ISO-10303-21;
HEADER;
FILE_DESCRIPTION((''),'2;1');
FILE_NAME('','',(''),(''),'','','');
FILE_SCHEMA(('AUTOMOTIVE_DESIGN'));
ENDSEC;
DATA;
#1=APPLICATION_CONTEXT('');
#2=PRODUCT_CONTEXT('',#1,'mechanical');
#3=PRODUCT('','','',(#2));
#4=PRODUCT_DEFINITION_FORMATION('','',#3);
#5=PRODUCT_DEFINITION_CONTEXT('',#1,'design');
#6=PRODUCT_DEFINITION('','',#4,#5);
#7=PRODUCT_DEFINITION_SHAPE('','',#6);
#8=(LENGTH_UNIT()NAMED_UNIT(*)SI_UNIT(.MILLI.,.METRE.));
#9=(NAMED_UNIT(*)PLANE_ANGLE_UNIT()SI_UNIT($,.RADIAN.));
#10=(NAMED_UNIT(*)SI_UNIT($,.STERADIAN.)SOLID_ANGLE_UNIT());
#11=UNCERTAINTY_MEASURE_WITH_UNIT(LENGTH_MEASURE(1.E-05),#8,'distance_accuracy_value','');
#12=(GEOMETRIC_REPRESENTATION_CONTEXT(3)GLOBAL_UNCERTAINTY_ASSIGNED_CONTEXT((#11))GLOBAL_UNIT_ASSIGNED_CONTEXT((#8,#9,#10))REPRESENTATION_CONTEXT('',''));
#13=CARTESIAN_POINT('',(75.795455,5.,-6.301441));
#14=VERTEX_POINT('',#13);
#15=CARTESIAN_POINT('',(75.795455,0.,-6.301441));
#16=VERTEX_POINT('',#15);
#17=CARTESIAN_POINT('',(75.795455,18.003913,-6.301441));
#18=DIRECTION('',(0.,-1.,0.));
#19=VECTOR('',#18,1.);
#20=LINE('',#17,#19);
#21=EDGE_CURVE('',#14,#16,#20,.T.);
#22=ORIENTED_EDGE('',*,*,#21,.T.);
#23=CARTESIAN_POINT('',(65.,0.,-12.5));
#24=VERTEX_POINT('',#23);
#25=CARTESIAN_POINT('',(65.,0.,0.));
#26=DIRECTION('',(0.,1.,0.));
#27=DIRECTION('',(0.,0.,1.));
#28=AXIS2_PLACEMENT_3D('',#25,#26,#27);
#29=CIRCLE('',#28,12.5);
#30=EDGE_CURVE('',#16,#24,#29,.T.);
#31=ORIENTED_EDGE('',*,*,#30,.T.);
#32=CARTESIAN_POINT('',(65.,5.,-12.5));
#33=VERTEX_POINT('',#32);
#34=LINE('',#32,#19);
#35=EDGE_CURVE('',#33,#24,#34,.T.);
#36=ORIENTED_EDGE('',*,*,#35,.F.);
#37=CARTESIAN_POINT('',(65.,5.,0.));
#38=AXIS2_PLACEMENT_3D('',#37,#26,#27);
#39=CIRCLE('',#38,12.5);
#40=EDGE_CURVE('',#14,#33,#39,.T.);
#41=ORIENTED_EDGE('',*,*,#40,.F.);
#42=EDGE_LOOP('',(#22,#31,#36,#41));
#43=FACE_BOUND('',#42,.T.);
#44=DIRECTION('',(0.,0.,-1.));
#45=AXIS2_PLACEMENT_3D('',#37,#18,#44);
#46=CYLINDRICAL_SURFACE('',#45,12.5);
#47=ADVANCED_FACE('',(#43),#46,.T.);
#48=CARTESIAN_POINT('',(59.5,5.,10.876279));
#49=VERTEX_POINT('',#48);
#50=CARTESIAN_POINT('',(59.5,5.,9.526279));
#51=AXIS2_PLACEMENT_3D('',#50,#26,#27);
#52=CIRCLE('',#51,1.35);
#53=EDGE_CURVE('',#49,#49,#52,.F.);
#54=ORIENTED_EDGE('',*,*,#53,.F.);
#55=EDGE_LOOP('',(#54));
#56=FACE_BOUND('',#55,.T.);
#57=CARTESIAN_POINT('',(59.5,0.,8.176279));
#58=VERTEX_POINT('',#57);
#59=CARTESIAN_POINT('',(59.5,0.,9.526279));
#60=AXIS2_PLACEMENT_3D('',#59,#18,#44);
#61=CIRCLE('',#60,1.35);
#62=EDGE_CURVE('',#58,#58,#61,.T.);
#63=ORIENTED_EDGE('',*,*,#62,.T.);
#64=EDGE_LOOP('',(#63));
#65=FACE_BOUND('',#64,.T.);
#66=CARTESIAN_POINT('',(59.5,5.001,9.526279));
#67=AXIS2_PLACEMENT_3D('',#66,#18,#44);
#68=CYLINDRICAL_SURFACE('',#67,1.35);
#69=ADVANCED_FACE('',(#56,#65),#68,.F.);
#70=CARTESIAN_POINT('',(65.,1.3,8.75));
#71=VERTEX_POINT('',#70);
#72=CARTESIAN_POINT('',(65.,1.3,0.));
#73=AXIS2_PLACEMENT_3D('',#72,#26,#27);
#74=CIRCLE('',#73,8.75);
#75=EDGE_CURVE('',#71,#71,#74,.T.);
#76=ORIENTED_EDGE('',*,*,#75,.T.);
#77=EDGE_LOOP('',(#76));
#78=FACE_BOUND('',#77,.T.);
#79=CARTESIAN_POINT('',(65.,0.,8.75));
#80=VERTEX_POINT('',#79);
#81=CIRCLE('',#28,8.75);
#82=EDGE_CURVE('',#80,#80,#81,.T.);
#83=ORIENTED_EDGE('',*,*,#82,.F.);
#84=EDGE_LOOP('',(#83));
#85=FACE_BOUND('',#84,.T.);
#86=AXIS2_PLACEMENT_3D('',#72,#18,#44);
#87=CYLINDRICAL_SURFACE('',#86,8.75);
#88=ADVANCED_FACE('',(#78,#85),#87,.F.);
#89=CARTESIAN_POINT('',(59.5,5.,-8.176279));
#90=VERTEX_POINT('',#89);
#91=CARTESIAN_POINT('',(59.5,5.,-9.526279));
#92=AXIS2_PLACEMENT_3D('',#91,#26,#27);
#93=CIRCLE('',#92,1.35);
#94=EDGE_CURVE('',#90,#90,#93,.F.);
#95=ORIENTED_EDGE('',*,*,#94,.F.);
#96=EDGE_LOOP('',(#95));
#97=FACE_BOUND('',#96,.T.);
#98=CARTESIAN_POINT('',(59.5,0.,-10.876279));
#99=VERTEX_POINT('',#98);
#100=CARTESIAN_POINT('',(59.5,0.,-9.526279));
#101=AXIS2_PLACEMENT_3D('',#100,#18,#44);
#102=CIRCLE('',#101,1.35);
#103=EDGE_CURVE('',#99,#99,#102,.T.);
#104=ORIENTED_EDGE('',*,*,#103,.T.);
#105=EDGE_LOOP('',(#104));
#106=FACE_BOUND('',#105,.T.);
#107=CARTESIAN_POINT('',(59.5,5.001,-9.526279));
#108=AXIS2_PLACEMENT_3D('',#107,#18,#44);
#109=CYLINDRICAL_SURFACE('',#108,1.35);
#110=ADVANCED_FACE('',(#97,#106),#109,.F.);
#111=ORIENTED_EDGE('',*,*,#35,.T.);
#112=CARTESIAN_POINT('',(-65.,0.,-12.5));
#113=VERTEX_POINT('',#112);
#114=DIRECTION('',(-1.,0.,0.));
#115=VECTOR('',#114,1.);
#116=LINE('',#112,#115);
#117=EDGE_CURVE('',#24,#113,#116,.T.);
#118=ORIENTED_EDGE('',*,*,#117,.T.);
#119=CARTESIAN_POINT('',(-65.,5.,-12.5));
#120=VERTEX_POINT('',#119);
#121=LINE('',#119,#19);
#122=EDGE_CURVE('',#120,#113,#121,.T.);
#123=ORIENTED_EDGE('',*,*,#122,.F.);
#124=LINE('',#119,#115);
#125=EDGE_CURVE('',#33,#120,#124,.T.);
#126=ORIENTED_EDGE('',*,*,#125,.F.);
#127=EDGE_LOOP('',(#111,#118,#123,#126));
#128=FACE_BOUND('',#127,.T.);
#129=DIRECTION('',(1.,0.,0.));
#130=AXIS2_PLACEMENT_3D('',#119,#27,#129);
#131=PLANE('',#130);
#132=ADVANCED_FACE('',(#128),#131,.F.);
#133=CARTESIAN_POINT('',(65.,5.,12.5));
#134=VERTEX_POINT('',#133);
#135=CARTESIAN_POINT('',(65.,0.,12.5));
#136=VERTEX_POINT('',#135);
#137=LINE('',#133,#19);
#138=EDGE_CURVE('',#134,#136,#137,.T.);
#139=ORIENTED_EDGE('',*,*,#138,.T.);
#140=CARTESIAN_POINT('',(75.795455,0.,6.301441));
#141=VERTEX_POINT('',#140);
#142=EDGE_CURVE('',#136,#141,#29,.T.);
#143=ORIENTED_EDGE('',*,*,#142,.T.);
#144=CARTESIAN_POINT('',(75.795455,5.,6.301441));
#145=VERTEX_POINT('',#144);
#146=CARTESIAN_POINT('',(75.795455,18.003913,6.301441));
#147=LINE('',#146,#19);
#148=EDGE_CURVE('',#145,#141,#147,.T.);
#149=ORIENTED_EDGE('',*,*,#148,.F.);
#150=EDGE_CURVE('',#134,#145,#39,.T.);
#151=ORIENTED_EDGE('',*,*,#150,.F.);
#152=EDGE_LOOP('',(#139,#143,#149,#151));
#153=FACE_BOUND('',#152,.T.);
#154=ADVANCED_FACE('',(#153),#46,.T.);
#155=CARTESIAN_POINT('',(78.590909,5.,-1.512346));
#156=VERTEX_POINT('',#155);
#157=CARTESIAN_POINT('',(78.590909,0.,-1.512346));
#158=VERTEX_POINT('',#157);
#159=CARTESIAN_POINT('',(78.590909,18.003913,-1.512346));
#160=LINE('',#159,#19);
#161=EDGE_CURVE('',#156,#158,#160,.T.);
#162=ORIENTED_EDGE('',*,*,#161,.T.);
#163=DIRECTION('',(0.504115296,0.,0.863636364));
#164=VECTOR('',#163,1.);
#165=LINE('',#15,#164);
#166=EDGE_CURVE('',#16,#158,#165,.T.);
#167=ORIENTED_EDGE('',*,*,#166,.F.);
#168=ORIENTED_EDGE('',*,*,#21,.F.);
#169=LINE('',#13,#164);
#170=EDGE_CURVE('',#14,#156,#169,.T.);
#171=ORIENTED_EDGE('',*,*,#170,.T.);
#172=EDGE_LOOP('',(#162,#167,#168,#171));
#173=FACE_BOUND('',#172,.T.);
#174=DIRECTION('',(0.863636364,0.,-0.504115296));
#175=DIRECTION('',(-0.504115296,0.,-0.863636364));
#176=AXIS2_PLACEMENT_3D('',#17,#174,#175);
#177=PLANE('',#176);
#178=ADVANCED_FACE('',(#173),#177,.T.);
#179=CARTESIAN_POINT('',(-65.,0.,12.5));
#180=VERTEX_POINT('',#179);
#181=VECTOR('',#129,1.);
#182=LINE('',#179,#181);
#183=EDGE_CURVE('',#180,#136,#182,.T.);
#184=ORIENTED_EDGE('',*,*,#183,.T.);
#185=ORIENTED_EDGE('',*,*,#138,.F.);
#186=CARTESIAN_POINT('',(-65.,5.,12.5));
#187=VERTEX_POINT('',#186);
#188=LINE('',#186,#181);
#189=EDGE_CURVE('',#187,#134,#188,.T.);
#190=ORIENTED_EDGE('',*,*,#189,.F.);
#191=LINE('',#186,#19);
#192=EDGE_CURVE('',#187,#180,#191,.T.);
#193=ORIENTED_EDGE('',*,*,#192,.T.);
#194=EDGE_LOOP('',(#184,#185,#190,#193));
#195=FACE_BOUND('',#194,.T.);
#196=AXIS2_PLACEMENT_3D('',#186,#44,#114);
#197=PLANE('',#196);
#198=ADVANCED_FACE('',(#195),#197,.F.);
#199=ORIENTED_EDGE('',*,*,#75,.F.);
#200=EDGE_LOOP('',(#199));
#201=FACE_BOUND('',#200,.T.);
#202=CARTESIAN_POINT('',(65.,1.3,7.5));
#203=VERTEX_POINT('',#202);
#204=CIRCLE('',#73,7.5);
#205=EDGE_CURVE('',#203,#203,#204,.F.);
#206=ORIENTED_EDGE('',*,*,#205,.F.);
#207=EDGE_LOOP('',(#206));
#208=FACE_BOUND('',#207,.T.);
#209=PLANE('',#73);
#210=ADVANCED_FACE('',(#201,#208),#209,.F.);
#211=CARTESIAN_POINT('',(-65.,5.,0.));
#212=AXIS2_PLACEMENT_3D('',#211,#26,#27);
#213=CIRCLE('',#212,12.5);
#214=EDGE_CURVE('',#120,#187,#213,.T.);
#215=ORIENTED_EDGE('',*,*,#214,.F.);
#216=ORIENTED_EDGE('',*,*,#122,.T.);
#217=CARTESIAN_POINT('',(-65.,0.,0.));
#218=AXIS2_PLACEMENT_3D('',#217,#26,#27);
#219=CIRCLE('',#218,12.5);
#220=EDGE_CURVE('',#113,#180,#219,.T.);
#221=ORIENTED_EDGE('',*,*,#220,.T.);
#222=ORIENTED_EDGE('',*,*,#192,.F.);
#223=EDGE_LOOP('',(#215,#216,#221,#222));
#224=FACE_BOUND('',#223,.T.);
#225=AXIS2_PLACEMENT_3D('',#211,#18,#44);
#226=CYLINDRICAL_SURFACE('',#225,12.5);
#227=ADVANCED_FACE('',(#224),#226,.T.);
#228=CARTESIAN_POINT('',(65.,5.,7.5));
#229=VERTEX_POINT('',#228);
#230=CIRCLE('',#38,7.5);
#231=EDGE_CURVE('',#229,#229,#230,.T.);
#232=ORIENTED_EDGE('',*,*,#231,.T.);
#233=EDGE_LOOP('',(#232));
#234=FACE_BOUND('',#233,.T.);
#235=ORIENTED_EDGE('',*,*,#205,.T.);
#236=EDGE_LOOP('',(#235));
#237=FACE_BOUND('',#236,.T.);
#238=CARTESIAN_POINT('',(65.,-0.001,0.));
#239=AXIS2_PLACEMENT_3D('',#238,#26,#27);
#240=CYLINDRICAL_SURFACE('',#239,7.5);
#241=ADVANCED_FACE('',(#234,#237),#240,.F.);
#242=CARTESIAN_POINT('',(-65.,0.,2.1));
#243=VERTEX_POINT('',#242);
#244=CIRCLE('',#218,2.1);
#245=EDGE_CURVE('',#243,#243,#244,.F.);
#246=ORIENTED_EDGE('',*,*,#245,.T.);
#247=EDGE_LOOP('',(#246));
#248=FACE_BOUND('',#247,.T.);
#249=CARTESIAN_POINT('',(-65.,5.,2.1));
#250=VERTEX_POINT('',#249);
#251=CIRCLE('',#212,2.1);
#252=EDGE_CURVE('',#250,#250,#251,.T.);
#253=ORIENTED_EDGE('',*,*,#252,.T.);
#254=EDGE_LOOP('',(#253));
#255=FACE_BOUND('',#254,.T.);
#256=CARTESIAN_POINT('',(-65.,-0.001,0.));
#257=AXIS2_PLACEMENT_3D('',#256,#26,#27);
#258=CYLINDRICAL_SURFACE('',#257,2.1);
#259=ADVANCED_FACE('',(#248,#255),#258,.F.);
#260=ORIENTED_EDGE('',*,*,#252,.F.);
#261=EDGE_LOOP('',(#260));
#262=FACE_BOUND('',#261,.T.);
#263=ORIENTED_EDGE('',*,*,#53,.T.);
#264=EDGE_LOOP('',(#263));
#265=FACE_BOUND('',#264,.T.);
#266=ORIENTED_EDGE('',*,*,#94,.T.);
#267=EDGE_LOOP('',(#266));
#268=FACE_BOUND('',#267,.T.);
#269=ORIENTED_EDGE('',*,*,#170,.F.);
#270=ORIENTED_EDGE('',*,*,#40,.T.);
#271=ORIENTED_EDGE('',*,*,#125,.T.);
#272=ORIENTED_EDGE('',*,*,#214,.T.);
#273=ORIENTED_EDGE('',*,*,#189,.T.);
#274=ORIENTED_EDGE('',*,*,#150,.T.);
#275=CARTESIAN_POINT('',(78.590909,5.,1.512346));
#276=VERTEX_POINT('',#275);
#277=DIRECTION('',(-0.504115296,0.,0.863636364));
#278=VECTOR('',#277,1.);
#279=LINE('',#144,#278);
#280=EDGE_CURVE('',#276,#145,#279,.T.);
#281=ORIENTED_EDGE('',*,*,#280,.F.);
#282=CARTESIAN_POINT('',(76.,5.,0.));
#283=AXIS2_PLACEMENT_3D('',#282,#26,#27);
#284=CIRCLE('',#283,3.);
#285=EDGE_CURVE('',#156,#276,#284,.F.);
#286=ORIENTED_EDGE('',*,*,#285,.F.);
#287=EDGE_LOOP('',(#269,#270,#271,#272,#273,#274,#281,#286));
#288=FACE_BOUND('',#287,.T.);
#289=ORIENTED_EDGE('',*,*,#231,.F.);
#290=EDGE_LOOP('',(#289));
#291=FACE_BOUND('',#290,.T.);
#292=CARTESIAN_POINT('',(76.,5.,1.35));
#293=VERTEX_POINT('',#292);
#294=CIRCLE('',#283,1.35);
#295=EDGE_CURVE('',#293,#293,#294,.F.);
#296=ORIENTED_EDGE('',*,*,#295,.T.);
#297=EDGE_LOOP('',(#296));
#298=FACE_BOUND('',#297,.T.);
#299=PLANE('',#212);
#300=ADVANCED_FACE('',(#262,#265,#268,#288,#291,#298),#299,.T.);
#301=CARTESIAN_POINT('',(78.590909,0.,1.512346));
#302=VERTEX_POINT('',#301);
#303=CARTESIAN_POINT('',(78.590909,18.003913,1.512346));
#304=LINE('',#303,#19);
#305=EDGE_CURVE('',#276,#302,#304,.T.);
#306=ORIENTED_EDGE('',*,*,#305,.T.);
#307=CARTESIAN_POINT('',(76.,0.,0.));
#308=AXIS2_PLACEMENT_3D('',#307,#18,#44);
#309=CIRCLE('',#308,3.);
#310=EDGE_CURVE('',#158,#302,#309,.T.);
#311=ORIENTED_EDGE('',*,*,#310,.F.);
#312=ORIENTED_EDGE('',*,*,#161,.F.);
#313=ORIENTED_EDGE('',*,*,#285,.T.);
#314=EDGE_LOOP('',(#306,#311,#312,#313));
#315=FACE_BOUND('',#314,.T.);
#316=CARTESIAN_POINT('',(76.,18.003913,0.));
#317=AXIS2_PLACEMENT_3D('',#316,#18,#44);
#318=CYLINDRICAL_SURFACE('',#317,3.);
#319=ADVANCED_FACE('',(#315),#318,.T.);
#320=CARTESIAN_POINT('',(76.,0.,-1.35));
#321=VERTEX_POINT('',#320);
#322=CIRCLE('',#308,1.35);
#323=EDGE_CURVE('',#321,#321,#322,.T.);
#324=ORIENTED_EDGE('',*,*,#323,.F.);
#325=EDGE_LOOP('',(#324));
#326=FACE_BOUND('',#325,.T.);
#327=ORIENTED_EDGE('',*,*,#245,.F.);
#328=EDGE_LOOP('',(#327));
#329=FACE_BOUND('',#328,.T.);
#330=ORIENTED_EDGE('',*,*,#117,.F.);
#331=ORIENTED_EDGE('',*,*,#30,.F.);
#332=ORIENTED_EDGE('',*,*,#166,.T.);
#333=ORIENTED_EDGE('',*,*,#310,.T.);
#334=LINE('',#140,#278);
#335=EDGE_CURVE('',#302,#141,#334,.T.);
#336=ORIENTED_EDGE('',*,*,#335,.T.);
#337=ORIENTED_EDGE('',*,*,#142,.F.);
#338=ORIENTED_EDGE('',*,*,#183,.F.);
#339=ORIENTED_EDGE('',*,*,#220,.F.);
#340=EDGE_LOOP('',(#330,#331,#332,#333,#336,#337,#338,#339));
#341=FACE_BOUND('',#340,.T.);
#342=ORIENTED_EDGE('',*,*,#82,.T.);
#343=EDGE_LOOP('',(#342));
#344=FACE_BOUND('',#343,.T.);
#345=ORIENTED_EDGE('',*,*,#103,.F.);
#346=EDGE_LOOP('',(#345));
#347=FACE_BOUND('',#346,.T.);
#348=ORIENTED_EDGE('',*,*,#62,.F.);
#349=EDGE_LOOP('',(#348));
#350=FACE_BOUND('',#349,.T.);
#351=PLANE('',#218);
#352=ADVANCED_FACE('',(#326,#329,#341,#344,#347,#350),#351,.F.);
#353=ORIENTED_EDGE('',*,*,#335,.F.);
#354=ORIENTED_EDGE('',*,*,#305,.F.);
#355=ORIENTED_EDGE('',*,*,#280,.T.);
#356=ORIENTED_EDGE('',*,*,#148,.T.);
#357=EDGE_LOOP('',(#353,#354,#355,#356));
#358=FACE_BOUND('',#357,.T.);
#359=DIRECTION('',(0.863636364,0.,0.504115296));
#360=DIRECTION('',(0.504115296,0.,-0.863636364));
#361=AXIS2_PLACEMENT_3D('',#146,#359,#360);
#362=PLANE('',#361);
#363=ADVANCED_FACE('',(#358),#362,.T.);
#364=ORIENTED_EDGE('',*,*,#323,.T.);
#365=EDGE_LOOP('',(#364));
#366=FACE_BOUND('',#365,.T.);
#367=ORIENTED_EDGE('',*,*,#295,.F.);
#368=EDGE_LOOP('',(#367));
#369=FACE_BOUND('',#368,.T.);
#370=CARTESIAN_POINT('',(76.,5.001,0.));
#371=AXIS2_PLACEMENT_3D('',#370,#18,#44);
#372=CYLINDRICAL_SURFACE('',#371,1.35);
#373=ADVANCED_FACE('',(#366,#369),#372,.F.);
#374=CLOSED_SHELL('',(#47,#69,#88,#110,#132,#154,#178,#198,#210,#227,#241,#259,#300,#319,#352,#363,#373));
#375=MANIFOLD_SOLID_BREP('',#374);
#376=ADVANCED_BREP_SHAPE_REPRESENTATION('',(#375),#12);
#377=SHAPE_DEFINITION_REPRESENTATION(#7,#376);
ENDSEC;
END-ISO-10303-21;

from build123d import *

# Parameters (mm, degrees)
EXTRUDE_1_DEPTH     = 5
EXTRUDE_5_DEPTH     = 5
CUT_EXTRUDE_2_REACH = 82.139
SKETCH_7_R          = 7.5
SKETCH_8_R          = 8.75
CUT_EXTRUDE_3_DEPTH = 1.3
CUT_EXTRUDE_4_REACH = 82.139
SKETCH_9_R          = 1.35
CUT_EXTRUDE_5_REACH = 82.139
SKETCH_12_R         = 2.1


with BuildPart() as part:
    # 草图1 → 凸台-拉伸1 (new body)
    with BuildSketch(Plane(origin=(0, 0, 0), x_dir=(1, 0, 0), z_dir=(0, 1, 0))):
        with BuildLine():
            Line((-65, 12.5), (65, 12.5))
            ThreePointArc((65, 12.5), (77.5, 0), (65, -12.5))
            Line((65, -12.5), (-65, -12.5))
            ThreePointArc((-65, -12.5), (-77.5, 0), (-65, 12.5))
        make_face()
    extrude(amount=EXTRUDE_1_DEPTH)

    # 草图10 → 凸台-拉伸5 (add)
    with BuildSketch(Plane.XZ):
        with BuildLine():
            Line((75.795454545, -6.301441197), (78.590909091, -1.512345887))
            ThreePointArc((78.590909091, -1.512345887), (79, 0), (78.590909091, 1.512345887))
            Line((78.590909091, 1.512345887), (75.795454545, 6.301441197))
            Line((75.795454545, 6.301441197), (75.795454545, -6.301441197))
        make_face()
    extrude(amount=-EXTRUDE_5_DEPTH)

    # 草图7 → 切除-拉伸2 (cut, up to next)
    with BuildSketch(Plane(origin=(0, 5, 0), x_dir=(1, 0, 0), z_dir=(0, 1, 0)), mode=Mode.PRIVATE) as cut_extrude_2_sk1:
        with Locations(Location((65, 0, 0), (0, 0, 270))):
            Circle(SKETCH_7_R)
    cut_extrude_2_tool1 = extrude(cut_extrude_2_sk1.sketch, amount=-CUT_EXTRUDE_2_REACH, mode=Mode.PRIVATE) & part.part
    add(cut_extrude_2_tool1.solids().sort_by_distance((65, 5, 0))[0], mode=Mode.SUBTRACT)

    # 草图8 → 切除-拉伸3 (cut)
    with BuildSketch(Plane(origin=(0, 0, 0), x_dir=(1, 0, 0), z_dir=(0, 1, 0))):
        with Locations(Location((65, 0, 0), (0, 0, 270))):
            Circle(SKETCH_8_R)
    extrude(amount=CUT_EXTRUDE_3_DEPTH, mode=Mode.SUBTRACT)

    # 草图9 → 切除-拉伸4 (cut, up to next)
    with BuildSketch(Plane.XZ, mode=Mode.PRIVATE) as cut_extrude_4_sk1:
        with Locations(Location((59.5, 9.526279442, 0), (0, 0, 270))):
            Circle(SKETCH_9_R)
    cut_extrude_4_tool1 = extrude(cut_extrude_4_sk1.sketch, amount=-CUT_EXTRUDE_4_REACH, mode=Mode.PRIVATE) & part.part
    # 草图9 → 切除-拉伸4 (cut, up to next)
    with BuildSketch(Plane.XZ, mode=Mode.PRIVATE) as cut_extrude_4_sk2:
        with Locations(Location((76, 0, 0), (0, 0, 270))):
            Circle(SKETCH_9_R)
    cut_extrude_4_tool2 = extrude(cut_extrude_4_sk2.sketch, amount=-CUT_EXTRUDE_4_REACH, mode=Mode.PRIVATE) & part.part
    # 草图9 → 切除-拉伸4 (cut, up to next)
    with BuildSketch(Plane.XZ, mode=Mode.PRIVATE) as cut_extrude_4_sk3:
        with Locations(Location((59.5, -9.526279442, 0), (0, 0, 270))):
            Circle(SKETCH_9_R)
    cut_extrude_4_tool3 = extrude(cut_extrude_4_sk3.sketch, amount=-CUT_EXTRUDE_4_REACH, mode=Mode.PRIVATE) & part.part
    add(cut_extrude_4_tool1.solids().sort_by_distance((59.5, 0, 9.526279))[0], mode=Mode.SUBTRACT)
    add(cut_extrude_4_tool2.solids().sort_by_distance((76, 0, 0))[0], mode=Mode.SUBTRACT)
    add(cut_extrude_4_tool3.solids().sort_by_distance((59.5, 0, -9.526279))[0], mode=Mode.SUBTRACT)

    # 草图12 → 切除-拉伸5 (cut, up to next)
    with BuildSketch(Plane(origin=(0, 5, 0), x_dir=(1, 0, 0), z_dir=(0, 1, 0)), mode=Mode.PRIVATE) as cut_extrude_5_sk1:
        with Locations(Location((-65, 0, 0), (0, 0, 270))):
            Circle(SKETCH_12_R)
    cut_extrude_5_tool1 = extrude(cut_extrude_5_sk1.sketch, amount=-CUT_EXTRUDE_5_REACH, mode=Mode.PRIVATE) & part.part
    add(cut_extrude_5_tool1.solids().sort_by_distance((-65, 5, 0))[0], mode=Mode.SUBTRACT)


solid = part.part
